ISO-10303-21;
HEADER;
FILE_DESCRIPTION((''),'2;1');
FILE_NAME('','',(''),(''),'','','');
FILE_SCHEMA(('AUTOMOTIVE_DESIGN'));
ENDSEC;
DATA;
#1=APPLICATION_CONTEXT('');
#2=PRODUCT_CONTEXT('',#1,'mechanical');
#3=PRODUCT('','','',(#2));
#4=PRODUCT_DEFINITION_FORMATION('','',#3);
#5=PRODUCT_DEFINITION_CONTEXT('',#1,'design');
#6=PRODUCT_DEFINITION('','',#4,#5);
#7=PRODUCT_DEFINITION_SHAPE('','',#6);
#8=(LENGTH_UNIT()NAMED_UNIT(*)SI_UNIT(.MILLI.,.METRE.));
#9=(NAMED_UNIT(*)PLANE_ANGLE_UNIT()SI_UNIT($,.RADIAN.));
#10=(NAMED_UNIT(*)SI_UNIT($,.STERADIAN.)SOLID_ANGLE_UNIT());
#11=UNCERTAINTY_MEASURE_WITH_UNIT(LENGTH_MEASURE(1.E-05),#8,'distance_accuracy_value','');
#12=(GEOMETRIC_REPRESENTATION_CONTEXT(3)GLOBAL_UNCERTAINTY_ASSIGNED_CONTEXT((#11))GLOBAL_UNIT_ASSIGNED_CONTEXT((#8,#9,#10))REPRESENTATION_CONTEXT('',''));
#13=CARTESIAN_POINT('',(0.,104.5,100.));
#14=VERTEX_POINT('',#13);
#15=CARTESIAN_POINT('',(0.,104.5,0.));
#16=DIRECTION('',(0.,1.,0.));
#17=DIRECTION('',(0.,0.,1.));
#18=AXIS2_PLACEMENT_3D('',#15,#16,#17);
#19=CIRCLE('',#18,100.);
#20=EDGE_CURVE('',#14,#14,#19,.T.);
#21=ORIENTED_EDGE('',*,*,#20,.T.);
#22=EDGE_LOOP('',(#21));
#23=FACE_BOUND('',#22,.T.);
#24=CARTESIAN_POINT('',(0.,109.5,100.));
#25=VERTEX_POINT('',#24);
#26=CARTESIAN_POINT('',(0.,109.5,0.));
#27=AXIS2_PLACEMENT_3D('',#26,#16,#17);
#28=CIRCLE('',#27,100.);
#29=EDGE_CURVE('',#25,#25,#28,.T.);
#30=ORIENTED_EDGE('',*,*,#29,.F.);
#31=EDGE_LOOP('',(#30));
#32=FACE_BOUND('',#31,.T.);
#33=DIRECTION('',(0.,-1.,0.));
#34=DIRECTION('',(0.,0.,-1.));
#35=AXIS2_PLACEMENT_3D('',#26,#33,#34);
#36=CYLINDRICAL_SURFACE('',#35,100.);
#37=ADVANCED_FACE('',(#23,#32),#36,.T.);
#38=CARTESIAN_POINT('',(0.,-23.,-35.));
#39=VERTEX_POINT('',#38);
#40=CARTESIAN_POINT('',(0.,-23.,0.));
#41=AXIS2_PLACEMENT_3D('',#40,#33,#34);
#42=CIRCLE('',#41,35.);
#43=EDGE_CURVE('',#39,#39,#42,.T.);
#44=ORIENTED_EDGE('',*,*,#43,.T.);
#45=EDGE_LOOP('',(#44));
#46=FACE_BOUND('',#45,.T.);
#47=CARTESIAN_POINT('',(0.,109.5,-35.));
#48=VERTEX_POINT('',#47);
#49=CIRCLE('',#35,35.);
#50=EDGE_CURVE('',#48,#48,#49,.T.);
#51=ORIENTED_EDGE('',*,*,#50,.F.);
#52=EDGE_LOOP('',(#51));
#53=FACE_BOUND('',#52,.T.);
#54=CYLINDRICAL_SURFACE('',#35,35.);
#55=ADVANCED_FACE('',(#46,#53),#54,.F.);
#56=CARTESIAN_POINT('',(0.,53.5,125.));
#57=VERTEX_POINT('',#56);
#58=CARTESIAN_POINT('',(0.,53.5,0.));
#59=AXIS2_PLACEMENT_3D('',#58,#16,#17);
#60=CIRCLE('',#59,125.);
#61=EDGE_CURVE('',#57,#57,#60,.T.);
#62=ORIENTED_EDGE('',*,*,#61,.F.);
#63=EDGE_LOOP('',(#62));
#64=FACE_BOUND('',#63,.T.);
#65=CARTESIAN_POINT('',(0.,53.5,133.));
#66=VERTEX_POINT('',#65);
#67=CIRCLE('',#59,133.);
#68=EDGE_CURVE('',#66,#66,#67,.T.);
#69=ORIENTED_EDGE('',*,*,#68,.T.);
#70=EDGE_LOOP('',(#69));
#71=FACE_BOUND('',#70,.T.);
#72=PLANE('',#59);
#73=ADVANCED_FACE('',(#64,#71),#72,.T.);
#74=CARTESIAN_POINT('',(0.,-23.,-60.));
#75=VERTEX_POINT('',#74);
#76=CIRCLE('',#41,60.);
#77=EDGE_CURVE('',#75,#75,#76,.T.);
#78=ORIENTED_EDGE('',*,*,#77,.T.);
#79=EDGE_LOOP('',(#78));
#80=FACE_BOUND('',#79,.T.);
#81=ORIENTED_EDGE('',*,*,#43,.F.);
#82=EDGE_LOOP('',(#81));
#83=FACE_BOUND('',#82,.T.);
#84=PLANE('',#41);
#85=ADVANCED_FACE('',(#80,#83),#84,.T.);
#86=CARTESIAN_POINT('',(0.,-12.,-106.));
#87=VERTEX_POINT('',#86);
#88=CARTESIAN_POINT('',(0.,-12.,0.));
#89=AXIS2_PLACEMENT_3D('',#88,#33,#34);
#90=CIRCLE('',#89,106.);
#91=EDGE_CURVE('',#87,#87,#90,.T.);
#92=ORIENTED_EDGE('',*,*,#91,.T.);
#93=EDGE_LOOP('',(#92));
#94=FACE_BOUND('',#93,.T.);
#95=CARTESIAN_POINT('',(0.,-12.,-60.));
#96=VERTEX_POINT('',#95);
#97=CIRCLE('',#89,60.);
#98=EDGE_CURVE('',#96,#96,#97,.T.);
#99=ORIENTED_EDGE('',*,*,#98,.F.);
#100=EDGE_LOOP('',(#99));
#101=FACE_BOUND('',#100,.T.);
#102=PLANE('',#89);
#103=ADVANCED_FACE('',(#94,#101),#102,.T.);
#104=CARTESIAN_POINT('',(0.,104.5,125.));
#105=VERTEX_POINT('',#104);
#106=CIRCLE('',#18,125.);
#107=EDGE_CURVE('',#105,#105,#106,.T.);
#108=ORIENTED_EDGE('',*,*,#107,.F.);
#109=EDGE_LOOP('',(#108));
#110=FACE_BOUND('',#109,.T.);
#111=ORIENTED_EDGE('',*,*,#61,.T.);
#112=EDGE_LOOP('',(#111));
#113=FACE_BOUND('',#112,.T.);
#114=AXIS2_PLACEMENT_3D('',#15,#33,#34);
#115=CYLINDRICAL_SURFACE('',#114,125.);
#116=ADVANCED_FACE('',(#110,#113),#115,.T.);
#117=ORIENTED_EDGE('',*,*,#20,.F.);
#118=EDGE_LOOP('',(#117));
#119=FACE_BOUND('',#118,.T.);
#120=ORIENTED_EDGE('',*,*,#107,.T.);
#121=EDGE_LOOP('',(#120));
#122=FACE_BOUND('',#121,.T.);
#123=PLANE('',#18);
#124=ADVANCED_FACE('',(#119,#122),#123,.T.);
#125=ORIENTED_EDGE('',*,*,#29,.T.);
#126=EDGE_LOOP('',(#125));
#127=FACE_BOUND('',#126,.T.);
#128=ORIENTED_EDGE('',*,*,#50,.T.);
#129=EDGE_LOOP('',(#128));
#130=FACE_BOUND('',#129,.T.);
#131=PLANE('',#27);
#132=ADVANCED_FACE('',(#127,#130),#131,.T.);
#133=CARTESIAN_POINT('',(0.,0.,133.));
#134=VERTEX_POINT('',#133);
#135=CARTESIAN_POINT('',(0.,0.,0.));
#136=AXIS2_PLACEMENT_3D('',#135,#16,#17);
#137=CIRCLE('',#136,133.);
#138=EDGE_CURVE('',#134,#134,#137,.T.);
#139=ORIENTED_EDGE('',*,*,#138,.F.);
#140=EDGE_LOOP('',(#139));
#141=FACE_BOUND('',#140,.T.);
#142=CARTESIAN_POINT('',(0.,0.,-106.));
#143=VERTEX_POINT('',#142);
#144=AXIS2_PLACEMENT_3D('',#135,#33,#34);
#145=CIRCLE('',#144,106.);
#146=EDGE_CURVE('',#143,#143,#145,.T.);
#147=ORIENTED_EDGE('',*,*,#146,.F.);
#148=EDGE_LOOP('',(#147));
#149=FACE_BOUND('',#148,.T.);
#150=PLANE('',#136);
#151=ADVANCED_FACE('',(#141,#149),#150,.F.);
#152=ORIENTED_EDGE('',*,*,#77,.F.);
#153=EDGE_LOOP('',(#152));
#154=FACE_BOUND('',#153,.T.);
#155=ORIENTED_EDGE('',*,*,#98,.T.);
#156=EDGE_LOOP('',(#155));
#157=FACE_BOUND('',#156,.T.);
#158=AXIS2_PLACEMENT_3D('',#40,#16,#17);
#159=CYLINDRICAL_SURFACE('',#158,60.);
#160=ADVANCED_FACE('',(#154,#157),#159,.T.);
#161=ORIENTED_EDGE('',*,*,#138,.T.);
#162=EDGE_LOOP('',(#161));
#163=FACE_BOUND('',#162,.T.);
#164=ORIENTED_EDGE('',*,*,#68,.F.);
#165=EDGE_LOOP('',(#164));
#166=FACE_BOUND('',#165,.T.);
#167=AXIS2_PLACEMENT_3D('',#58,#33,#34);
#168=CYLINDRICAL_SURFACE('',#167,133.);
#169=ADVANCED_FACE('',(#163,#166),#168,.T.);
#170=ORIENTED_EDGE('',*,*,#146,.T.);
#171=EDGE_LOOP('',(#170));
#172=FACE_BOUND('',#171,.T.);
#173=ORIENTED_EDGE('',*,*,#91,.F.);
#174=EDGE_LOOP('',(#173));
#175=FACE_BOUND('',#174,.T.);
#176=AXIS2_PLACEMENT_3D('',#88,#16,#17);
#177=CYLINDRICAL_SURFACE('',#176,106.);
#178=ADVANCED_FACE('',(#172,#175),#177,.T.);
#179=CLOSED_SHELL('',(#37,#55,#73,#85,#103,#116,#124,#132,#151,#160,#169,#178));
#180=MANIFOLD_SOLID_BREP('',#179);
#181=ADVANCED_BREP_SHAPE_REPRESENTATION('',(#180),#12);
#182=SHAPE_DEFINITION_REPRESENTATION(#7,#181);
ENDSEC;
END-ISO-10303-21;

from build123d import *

# Parameters (mm, degrees)
SKETCH1_R           = 133
BOSS_EXTRUDE1_DEPTH = 53.5
SKETCH2_R           = 125
BOSS_EXTRUDE2_DEPTH = 51
SKETCH3_R           = 100
BOSS_EXTRUDE3_DEPTH = 5
SKETCH4_R           = 106
BOSS_EXTRUDE4_DEPTH = 12
SKETCH5_R           = 60
BOSS_EXTRUDE5_DEPTH = 11
SKETCH6_R           = 35
CUT_EXTRUDE1_DEPTH  = 231.074444474


with BuildPart() as part:
    # Sketch1 → Boss-Extrude1 (new body)
    with BuildSketch(Plane(origin=(0, 0, 0), x_dir=(1, 0, 0), z_dir=(0, 1, 0))):
        with Locations(Location((0, 0, 0), (0, 0, 270))):
            Circle(SKETCH1_R)
    extrude(amount=BOSS_EXTRUDE1_DEPTH)

    # Sketch2 → Boss-Extrude2 (add)
    with BuildSketch(Plane(origin=(0, 53.5, 0), x_dir=(1, 0, 0), z_dir=(0, 1, 0))):
        with Locations(Location((0, 0, 0), (0, 0, 270))):
            Circle(SKETCH2_R)
    extrude(amount=BOSS_EXTRUDE2_DEPTH)

    # Sketch3 → Boss-Extrude3 (add)
    with BuildSketch(Plane(origin=(0, 104.5, 0), x_dir=(1, 0, 0), z_dir=(0, 1, 0))):
        with Locations(Location((0, 0, 0), (0, 0, 270))):
            Circle(SKETCH3_R)
    extrude(amount=BOSS_EXTRUDE3_DEPTH)

    # Sketch4 → Boss-Extrude4 (add)
    with BuildSketch(Plane.XZ):
        with Locations(Location((0, 0, 0), (0, 0, 270))):
            Circle(SKETCH4_R)
    extrude(amount=BOSS_EXTRUDE4_DEPTH)

    # Sketch5 → Boss-Extrude5 (add)
    with BuildSketch(Plane.XZ.offset(12)):
        with Locations(Location((0, 0, 0), (0, 0, 270))):
            Circle(SKETCH5_R)
    extrude(amount=BOSS_EXTRUDE5_DEPTH)

    # Sketch6 → Cut-Extrude1 (cut, through all)
    with BuildSketch(Plane.XZ.offset(23)):
        with Locations(Location((0, 0, 0), (0, 0, 270))):
            Circle(SKETCH6_R)
    extrude(amount=-CUT_EXTRUDE1_DEPTH, mode=Mode.SUBTRACT)


solid = part.part
